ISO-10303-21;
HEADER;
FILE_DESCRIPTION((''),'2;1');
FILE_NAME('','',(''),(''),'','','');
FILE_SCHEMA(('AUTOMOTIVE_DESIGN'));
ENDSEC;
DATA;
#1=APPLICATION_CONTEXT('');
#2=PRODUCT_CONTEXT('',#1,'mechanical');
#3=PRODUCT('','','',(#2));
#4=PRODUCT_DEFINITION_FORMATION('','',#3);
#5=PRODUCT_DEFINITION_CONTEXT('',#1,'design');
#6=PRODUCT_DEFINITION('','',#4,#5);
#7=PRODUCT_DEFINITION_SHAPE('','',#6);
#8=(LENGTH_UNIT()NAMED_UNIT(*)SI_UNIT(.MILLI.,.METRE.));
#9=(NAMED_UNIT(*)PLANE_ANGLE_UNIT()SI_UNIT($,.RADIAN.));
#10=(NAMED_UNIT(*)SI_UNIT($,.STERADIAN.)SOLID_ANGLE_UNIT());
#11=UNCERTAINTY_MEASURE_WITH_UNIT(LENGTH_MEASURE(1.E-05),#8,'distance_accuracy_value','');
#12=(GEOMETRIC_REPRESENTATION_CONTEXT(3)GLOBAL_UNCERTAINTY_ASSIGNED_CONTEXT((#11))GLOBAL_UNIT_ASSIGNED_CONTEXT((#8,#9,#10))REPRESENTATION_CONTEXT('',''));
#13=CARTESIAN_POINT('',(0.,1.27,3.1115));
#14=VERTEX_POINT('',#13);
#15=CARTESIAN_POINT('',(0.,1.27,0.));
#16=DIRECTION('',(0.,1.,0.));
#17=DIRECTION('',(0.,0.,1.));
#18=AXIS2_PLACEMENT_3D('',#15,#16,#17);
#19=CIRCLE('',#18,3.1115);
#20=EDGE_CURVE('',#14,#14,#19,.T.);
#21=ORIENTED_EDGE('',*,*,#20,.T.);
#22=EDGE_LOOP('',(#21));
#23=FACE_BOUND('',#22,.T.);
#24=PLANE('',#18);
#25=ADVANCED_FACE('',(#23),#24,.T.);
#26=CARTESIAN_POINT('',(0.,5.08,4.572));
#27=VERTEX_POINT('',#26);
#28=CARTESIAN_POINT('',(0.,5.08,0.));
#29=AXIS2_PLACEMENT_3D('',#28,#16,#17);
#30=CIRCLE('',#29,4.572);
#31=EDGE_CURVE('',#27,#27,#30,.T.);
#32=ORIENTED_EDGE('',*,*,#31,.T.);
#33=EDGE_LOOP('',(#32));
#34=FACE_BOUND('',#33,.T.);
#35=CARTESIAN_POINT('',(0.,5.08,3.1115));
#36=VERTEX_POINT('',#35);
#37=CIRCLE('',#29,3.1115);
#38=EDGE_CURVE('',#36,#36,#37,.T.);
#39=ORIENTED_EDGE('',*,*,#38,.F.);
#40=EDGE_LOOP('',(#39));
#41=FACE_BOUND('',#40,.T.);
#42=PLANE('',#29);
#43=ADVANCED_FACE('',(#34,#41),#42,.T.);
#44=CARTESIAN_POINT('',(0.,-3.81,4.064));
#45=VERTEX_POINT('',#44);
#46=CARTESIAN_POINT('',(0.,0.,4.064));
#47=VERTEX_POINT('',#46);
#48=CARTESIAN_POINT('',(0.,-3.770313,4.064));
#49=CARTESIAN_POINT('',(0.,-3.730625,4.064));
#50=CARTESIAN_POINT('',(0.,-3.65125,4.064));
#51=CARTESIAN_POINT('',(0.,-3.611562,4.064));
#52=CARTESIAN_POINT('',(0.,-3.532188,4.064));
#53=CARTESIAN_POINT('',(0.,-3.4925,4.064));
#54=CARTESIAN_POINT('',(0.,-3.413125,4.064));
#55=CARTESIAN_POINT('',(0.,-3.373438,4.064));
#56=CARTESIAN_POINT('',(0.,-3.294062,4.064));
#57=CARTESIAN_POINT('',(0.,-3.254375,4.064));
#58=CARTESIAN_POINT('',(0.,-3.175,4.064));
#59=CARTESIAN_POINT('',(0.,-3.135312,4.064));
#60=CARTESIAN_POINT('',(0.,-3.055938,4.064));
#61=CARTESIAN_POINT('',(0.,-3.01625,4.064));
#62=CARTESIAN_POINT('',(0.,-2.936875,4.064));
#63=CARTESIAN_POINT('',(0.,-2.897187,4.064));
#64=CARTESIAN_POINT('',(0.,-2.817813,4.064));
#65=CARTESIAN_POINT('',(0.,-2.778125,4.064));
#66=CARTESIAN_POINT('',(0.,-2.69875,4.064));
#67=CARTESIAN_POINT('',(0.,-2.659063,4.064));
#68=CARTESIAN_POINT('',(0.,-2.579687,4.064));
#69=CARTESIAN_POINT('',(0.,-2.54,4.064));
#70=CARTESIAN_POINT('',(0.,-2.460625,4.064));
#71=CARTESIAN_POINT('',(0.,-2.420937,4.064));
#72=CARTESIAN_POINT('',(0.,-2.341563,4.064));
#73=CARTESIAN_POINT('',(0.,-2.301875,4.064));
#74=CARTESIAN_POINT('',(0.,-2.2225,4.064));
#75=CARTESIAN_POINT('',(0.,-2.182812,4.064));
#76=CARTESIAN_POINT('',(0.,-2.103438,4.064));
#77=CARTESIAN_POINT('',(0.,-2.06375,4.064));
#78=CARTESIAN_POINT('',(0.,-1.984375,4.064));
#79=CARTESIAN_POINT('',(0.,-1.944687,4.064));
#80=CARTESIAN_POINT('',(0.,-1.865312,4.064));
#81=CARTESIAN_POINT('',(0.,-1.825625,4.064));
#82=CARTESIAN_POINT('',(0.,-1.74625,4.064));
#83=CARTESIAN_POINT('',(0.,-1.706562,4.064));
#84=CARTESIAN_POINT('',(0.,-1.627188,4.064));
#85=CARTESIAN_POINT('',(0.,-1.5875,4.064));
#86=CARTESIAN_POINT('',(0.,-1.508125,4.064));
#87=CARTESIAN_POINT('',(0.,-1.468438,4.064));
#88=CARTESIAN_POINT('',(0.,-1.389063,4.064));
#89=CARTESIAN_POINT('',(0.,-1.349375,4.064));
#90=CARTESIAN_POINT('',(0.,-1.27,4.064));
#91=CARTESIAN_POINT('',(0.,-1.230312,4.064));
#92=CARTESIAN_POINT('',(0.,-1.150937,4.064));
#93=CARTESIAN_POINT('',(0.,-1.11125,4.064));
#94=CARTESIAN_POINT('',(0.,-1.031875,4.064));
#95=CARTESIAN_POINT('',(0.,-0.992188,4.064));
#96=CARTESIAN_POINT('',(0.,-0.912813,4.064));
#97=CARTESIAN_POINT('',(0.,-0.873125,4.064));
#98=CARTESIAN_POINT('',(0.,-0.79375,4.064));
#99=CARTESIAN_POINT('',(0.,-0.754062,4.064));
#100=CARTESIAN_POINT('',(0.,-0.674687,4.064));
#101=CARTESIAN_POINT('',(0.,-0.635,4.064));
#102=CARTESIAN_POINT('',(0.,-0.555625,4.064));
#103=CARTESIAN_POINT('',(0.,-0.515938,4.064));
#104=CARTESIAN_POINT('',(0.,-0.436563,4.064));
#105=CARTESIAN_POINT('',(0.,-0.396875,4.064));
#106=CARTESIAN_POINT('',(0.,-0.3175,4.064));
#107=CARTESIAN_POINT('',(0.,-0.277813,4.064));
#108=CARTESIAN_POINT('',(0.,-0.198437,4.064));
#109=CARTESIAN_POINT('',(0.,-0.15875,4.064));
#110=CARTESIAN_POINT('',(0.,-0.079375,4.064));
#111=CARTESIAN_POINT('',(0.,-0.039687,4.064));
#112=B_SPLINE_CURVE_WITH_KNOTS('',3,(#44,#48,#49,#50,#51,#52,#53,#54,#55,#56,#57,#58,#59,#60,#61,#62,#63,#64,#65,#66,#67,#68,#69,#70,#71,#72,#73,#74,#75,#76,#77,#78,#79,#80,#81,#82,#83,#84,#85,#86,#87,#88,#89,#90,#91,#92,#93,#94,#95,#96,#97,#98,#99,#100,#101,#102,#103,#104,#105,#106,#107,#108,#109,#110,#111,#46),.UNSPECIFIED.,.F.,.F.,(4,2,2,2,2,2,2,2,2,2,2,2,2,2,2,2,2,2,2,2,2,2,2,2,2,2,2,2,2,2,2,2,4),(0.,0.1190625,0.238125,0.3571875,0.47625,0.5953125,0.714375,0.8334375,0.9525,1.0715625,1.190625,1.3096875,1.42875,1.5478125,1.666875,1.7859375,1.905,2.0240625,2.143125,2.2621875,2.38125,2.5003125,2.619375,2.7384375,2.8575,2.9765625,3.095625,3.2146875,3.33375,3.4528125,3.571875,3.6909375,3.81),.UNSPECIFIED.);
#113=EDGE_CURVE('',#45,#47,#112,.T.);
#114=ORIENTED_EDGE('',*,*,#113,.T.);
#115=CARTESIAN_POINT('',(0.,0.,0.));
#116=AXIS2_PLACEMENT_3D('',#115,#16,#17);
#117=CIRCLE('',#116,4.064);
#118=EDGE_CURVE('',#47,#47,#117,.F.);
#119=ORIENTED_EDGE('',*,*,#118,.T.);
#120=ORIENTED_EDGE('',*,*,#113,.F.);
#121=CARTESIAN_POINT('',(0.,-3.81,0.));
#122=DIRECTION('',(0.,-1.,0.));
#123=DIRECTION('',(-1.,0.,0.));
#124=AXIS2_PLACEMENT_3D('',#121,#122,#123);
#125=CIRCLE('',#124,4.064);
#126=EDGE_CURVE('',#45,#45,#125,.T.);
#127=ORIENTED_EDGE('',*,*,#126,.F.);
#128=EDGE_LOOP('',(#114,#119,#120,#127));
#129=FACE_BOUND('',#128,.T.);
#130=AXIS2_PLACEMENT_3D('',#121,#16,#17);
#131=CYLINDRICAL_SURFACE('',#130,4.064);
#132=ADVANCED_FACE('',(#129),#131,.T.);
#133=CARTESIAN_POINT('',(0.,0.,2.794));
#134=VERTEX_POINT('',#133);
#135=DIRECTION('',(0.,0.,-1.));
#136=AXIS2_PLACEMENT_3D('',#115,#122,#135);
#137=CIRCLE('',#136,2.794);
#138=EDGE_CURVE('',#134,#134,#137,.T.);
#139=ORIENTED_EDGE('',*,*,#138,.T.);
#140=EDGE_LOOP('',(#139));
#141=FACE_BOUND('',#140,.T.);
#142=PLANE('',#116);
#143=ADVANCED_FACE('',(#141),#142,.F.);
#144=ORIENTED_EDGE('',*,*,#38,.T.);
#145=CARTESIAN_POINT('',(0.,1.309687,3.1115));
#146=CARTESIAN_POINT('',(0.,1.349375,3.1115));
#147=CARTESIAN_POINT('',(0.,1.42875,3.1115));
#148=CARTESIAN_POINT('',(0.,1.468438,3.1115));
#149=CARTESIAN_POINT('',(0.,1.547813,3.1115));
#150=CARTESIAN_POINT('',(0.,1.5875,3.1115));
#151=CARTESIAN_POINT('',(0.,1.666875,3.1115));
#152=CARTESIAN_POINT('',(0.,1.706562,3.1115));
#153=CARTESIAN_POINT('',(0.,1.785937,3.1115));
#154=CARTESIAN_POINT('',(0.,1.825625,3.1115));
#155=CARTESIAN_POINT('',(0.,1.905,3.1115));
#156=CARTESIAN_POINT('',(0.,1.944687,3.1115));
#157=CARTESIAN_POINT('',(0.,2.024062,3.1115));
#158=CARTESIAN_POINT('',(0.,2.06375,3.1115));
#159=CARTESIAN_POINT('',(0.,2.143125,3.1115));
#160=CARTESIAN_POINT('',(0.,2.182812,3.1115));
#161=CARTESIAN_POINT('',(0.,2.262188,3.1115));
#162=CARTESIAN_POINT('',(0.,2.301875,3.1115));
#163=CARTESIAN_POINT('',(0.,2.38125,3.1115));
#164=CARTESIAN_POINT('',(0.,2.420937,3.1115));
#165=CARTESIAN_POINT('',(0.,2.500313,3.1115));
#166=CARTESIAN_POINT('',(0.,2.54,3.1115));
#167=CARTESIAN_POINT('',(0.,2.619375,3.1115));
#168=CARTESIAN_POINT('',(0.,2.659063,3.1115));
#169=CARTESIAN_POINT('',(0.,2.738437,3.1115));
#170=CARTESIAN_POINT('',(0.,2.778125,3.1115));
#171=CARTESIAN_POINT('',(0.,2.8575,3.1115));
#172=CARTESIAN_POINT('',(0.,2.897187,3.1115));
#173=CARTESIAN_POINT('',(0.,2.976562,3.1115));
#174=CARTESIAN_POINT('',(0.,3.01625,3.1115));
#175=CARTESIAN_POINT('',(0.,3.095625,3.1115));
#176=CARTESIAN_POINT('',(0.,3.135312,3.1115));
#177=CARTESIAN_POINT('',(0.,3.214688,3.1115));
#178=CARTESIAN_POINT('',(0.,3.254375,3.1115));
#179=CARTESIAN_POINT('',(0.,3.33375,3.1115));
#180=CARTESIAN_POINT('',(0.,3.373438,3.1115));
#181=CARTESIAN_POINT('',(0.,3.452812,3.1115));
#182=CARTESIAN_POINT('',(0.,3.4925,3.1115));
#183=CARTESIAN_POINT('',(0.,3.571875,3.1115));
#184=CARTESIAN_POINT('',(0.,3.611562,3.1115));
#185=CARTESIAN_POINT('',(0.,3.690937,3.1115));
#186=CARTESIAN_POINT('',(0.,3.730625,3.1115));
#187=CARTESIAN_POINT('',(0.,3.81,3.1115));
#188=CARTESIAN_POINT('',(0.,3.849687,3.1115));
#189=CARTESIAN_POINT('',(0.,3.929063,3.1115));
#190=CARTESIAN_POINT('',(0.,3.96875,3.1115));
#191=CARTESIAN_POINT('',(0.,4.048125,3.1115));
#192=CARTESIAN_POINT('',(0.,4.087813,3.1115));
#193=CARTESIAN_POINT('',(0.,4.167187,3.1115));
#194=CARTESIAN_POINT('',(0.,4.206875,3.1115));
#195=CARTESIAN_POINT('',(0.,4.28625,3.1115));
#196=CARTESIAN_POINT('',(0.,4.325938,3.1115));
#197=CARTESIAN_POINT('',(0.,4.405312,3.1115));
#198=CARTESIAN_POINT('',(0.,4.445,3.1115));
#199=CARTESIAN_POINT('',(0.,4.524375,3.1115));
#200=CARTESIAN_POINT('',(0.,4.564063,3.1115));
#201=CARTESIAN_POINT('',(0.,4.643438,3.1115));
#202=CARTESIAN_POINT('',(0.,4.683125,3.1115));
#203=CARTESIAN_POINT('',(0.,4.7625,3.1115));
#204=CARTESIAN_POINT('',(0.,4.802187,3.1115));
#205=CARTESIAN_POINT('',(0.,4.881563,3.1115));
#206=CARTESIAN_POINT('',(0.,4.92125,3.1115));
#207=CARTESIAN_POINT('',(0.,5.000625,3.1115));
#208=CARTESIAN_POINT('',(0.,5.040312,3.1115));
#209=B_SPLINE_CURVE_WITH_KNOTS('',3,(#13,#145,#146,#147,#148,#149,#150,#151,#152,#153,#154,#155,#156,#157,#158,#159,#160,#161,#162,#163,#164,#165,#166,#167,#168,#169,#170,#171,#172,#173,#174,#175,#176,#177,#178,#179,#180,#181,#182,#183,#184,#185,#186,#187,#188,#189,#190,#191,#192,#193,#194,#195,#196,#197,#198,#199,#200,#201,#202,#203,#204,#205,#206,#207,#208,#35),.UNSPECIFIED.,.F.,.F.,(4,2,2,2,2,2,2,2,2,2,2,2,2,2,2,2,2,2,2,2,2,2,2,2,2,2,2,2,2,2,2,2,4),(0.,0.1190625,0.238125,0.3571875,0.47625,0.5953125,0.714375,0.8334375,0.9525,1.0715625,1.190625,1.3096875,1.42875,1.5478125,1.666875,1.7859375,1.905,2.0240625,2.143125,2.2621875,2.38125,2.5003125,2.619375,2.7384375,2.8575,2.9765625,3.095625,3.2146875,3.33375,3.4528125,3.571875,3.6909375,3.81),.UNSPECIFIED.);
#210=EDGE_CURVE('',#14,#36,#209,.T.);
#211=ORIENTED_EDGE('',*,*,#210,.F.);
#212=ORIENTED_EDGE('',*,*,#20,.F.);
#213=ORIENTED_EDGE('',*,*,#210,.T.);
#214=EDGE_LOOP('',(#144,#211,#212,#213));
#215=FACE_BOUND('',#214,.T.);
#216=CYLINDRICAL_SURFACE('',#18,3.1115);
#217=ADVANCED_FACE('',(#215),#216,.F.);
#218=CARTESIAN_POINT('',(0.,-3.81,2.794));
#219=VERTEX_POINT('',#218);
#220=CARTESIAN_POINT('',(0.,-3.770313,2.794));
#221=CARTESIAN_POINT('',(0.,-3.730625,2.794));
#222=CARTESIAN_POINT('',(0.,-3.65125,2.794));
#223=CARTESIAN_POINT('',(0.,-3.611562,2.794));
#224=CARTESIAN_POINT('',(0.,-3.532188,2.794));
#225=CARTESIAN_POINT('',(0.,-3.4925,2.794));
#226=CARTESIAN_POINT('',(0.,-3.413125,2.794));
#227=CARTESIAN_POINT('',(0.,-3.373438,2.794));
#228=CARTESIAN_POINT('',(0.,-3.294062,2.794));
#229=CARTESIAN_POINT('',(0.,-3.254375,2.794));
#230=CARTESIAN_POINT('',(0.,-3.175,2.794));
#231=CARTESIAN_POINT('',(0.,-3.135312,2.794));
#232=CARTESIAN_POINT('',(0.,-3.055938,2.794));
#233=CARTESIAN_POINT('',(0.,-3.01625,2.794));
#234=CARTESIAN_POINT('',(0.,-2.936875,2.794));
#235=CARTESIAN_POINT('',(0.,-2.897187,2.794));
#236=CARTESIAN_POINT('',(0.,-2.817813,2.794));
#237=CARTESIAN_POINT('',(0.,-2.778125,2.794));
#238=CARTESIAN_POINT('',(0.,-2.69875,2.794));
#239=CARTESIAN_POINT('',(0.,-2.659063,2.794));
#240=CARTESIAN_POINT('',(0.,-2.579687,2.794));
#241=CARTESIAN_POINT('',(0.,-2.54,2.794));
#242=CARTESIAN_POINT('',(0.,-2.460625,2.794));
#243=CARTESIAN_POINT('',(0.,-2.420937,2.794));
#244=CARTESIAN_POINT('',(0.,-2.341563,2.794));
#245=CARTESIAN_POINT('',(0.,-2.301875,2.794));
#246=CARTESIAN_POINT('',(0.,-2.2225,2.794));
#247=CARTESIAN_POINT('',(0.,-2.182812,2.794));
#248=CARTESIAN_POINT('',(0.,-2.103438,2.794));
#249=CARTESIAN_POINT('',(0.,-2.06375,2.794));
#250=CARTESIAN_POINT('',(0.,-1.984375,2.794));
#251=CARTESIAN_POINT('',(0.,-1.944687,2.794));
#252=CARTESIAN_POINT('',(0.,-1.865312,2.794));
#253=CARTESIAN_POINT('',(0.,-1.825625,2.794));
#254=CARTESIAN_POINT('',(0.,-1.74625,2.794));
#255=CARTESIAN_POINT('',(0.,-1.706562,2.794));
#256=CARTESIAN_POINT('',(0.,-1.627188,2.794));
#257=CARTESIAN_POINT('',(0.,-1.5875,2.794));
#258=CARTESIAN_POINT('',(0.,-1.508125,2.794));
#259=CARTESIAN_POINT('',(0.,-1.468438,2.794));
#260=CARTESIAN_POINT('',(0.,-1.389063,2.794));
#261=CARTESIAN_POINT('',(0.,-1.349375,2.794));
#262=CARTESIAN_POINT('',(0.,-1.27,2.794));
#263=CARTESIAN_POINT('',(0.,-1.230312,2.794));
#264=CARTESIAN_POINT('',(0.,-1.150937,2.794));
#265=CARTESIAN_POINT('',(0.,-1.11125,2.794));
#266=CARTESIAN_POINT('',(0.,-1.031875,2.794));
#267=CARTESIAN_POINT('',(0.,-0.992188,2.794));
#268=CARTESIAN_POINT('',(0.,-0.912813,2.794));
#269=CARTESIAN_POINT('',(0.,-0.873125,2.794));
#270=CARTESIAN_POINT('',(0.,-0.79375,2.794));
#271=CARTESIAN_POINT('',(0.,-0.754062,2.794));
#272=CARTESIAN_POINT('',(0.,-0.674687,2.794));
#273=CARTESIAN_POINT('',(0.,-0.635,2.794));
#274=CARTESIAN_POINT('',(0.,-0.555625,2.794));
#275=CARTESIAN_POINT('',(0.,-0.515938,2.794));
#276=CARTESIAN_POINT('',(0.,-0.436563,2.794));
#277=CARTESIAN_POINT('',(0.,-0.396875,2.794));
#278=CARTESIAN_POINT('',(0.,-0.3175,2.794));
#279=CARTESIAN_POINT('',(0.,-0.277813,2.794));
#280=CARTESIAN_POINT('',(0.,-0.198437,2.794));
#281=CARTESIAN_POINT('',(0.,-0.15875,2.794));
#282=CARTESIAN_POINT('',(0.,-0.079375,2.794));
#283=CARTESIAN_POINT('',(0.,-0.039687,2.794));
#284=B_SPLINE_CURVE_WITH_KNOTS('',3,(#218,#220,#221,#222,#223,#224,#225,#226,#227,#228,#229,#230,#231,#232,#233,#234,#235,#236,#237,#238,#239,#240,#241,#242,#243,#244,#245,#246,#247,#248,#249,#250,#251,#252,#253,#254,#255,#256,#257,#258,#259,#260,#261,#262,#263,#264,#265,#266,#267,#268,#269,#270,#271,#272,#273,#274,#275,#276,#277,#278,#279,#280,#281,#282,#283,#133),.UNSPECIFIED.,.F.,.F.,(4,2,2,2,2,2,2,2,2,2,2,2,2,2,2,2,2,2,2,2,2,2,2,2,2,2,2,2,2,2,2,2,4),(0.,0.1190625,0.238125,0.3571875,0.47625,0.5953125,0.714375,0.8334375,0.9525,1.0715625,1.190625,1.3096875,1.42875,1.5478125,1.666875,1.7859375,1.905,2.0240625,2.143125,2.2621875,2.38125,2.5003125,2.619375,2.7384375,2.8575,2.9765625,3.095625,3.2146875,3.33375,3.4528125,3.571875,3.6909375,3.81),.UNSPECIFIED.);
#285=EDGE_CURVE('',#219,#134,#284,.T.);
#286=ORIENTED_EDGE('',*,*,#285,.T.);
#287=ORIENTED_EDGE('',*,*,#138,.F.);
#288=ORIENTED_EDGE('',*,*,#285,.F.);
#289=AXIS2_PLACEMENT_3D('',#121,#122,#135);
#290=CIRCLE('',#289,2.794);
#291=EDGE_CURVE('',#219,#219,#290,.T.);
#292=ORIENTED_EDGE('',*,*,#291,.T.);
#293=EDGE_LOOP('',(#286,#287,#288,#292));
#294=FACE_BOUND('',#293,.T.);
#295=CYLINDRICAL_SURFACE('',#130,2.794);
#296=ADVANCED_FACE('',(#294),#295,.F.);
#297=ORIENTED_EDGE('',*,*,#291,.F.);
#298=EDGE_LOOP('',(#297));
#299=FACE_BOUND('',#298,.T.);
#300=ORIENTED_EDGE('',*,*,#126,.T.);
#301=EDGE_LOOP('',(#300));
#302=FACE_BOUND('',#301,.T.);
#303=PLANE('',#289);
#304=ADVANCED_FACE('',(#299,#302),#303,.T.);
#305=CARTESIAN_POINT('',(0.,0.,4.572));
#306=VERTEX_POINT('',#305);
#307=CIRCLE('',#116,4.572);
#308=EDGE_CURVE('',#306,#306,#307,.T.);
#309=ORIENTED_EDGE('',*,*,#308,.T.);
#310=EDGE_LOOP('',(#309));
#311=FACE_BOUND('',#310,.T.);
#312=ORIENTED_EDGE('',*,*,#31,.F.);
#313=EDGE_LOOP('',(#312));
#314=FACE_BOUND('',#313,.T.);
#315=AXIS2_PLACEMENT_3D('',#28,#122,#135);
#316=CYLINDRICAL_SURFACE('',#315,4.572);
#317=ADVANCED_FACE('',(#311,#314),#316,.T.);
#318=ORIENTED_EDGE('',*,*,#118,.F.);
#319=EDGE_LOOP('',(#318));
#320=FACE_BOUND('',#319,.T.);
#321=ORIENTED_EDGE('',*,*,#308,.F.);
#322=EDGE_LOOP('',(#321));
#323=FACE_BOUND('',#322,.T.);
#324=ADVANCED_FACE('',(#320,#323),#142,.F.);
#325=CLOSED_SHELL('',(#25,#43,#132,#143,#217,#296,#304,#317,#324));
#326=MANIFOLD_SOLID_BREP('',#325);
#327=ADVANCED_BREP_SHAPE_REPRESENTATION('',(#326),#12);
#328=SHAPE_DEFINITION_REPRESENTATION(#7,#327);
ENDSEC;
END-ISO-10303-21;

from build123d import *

# Parameters (mm, degrees)
SKETCH1_R           = 4.572
BOSS_EXTRUDE1_DEPTH = 5.08
SKETCH2_R           = 3.1115
CUT_EXTRUDE1_DEPTH  = 3.81
SKETCH3_R           = 4.064
SKETCH3_R_2         = 2.794
EXTRUDE_THIN1_DEPTH = 3.81


with BuildPart() as part:
    # Sketch1 → Boss-Extrude1 (new body)
    with BuildSketch(Plane(origin=(0, 0, 0), x_dir=(1, 0, 0), z_dir=(0, 1, 0))):
        with Locations(Location((0, 0, 0), (0, 0, 270))):
            Circle(SKETCH1_R)
    extrude(amount=BOSS_EXTRUDE1_DEPTH)

    # Sketch2 → Cut-Extrude1 (cut)
    with BuildSketch(Plane(origin=(0, 5.08, 0), x_dir=(1, 0, 0), z_dir=(0, 1, 0))):
        with Locations(Location((0, 0, 0), (0, 0, 270))):
            Circle(SKETCH2_R)
    extrude(amount=-CUT_EXTRUDE1_DEPTH, mode=Mode.SUBTRACT)

    # Sketch3 → Extrude-Thin1 (add)
    with BuildSketch(Plane(origin=(0, 0, 0), x_dir=(-1, 0, 0), z_dir=(0, -1, 0))):
        Circle(SKETCH3_R)
        Circle(SKETCH3_R_2, mode=Mode.SUBTRACT)
    extrude(amount=EXTRUDE_THIN1_DEPTH)


solid = part.part
